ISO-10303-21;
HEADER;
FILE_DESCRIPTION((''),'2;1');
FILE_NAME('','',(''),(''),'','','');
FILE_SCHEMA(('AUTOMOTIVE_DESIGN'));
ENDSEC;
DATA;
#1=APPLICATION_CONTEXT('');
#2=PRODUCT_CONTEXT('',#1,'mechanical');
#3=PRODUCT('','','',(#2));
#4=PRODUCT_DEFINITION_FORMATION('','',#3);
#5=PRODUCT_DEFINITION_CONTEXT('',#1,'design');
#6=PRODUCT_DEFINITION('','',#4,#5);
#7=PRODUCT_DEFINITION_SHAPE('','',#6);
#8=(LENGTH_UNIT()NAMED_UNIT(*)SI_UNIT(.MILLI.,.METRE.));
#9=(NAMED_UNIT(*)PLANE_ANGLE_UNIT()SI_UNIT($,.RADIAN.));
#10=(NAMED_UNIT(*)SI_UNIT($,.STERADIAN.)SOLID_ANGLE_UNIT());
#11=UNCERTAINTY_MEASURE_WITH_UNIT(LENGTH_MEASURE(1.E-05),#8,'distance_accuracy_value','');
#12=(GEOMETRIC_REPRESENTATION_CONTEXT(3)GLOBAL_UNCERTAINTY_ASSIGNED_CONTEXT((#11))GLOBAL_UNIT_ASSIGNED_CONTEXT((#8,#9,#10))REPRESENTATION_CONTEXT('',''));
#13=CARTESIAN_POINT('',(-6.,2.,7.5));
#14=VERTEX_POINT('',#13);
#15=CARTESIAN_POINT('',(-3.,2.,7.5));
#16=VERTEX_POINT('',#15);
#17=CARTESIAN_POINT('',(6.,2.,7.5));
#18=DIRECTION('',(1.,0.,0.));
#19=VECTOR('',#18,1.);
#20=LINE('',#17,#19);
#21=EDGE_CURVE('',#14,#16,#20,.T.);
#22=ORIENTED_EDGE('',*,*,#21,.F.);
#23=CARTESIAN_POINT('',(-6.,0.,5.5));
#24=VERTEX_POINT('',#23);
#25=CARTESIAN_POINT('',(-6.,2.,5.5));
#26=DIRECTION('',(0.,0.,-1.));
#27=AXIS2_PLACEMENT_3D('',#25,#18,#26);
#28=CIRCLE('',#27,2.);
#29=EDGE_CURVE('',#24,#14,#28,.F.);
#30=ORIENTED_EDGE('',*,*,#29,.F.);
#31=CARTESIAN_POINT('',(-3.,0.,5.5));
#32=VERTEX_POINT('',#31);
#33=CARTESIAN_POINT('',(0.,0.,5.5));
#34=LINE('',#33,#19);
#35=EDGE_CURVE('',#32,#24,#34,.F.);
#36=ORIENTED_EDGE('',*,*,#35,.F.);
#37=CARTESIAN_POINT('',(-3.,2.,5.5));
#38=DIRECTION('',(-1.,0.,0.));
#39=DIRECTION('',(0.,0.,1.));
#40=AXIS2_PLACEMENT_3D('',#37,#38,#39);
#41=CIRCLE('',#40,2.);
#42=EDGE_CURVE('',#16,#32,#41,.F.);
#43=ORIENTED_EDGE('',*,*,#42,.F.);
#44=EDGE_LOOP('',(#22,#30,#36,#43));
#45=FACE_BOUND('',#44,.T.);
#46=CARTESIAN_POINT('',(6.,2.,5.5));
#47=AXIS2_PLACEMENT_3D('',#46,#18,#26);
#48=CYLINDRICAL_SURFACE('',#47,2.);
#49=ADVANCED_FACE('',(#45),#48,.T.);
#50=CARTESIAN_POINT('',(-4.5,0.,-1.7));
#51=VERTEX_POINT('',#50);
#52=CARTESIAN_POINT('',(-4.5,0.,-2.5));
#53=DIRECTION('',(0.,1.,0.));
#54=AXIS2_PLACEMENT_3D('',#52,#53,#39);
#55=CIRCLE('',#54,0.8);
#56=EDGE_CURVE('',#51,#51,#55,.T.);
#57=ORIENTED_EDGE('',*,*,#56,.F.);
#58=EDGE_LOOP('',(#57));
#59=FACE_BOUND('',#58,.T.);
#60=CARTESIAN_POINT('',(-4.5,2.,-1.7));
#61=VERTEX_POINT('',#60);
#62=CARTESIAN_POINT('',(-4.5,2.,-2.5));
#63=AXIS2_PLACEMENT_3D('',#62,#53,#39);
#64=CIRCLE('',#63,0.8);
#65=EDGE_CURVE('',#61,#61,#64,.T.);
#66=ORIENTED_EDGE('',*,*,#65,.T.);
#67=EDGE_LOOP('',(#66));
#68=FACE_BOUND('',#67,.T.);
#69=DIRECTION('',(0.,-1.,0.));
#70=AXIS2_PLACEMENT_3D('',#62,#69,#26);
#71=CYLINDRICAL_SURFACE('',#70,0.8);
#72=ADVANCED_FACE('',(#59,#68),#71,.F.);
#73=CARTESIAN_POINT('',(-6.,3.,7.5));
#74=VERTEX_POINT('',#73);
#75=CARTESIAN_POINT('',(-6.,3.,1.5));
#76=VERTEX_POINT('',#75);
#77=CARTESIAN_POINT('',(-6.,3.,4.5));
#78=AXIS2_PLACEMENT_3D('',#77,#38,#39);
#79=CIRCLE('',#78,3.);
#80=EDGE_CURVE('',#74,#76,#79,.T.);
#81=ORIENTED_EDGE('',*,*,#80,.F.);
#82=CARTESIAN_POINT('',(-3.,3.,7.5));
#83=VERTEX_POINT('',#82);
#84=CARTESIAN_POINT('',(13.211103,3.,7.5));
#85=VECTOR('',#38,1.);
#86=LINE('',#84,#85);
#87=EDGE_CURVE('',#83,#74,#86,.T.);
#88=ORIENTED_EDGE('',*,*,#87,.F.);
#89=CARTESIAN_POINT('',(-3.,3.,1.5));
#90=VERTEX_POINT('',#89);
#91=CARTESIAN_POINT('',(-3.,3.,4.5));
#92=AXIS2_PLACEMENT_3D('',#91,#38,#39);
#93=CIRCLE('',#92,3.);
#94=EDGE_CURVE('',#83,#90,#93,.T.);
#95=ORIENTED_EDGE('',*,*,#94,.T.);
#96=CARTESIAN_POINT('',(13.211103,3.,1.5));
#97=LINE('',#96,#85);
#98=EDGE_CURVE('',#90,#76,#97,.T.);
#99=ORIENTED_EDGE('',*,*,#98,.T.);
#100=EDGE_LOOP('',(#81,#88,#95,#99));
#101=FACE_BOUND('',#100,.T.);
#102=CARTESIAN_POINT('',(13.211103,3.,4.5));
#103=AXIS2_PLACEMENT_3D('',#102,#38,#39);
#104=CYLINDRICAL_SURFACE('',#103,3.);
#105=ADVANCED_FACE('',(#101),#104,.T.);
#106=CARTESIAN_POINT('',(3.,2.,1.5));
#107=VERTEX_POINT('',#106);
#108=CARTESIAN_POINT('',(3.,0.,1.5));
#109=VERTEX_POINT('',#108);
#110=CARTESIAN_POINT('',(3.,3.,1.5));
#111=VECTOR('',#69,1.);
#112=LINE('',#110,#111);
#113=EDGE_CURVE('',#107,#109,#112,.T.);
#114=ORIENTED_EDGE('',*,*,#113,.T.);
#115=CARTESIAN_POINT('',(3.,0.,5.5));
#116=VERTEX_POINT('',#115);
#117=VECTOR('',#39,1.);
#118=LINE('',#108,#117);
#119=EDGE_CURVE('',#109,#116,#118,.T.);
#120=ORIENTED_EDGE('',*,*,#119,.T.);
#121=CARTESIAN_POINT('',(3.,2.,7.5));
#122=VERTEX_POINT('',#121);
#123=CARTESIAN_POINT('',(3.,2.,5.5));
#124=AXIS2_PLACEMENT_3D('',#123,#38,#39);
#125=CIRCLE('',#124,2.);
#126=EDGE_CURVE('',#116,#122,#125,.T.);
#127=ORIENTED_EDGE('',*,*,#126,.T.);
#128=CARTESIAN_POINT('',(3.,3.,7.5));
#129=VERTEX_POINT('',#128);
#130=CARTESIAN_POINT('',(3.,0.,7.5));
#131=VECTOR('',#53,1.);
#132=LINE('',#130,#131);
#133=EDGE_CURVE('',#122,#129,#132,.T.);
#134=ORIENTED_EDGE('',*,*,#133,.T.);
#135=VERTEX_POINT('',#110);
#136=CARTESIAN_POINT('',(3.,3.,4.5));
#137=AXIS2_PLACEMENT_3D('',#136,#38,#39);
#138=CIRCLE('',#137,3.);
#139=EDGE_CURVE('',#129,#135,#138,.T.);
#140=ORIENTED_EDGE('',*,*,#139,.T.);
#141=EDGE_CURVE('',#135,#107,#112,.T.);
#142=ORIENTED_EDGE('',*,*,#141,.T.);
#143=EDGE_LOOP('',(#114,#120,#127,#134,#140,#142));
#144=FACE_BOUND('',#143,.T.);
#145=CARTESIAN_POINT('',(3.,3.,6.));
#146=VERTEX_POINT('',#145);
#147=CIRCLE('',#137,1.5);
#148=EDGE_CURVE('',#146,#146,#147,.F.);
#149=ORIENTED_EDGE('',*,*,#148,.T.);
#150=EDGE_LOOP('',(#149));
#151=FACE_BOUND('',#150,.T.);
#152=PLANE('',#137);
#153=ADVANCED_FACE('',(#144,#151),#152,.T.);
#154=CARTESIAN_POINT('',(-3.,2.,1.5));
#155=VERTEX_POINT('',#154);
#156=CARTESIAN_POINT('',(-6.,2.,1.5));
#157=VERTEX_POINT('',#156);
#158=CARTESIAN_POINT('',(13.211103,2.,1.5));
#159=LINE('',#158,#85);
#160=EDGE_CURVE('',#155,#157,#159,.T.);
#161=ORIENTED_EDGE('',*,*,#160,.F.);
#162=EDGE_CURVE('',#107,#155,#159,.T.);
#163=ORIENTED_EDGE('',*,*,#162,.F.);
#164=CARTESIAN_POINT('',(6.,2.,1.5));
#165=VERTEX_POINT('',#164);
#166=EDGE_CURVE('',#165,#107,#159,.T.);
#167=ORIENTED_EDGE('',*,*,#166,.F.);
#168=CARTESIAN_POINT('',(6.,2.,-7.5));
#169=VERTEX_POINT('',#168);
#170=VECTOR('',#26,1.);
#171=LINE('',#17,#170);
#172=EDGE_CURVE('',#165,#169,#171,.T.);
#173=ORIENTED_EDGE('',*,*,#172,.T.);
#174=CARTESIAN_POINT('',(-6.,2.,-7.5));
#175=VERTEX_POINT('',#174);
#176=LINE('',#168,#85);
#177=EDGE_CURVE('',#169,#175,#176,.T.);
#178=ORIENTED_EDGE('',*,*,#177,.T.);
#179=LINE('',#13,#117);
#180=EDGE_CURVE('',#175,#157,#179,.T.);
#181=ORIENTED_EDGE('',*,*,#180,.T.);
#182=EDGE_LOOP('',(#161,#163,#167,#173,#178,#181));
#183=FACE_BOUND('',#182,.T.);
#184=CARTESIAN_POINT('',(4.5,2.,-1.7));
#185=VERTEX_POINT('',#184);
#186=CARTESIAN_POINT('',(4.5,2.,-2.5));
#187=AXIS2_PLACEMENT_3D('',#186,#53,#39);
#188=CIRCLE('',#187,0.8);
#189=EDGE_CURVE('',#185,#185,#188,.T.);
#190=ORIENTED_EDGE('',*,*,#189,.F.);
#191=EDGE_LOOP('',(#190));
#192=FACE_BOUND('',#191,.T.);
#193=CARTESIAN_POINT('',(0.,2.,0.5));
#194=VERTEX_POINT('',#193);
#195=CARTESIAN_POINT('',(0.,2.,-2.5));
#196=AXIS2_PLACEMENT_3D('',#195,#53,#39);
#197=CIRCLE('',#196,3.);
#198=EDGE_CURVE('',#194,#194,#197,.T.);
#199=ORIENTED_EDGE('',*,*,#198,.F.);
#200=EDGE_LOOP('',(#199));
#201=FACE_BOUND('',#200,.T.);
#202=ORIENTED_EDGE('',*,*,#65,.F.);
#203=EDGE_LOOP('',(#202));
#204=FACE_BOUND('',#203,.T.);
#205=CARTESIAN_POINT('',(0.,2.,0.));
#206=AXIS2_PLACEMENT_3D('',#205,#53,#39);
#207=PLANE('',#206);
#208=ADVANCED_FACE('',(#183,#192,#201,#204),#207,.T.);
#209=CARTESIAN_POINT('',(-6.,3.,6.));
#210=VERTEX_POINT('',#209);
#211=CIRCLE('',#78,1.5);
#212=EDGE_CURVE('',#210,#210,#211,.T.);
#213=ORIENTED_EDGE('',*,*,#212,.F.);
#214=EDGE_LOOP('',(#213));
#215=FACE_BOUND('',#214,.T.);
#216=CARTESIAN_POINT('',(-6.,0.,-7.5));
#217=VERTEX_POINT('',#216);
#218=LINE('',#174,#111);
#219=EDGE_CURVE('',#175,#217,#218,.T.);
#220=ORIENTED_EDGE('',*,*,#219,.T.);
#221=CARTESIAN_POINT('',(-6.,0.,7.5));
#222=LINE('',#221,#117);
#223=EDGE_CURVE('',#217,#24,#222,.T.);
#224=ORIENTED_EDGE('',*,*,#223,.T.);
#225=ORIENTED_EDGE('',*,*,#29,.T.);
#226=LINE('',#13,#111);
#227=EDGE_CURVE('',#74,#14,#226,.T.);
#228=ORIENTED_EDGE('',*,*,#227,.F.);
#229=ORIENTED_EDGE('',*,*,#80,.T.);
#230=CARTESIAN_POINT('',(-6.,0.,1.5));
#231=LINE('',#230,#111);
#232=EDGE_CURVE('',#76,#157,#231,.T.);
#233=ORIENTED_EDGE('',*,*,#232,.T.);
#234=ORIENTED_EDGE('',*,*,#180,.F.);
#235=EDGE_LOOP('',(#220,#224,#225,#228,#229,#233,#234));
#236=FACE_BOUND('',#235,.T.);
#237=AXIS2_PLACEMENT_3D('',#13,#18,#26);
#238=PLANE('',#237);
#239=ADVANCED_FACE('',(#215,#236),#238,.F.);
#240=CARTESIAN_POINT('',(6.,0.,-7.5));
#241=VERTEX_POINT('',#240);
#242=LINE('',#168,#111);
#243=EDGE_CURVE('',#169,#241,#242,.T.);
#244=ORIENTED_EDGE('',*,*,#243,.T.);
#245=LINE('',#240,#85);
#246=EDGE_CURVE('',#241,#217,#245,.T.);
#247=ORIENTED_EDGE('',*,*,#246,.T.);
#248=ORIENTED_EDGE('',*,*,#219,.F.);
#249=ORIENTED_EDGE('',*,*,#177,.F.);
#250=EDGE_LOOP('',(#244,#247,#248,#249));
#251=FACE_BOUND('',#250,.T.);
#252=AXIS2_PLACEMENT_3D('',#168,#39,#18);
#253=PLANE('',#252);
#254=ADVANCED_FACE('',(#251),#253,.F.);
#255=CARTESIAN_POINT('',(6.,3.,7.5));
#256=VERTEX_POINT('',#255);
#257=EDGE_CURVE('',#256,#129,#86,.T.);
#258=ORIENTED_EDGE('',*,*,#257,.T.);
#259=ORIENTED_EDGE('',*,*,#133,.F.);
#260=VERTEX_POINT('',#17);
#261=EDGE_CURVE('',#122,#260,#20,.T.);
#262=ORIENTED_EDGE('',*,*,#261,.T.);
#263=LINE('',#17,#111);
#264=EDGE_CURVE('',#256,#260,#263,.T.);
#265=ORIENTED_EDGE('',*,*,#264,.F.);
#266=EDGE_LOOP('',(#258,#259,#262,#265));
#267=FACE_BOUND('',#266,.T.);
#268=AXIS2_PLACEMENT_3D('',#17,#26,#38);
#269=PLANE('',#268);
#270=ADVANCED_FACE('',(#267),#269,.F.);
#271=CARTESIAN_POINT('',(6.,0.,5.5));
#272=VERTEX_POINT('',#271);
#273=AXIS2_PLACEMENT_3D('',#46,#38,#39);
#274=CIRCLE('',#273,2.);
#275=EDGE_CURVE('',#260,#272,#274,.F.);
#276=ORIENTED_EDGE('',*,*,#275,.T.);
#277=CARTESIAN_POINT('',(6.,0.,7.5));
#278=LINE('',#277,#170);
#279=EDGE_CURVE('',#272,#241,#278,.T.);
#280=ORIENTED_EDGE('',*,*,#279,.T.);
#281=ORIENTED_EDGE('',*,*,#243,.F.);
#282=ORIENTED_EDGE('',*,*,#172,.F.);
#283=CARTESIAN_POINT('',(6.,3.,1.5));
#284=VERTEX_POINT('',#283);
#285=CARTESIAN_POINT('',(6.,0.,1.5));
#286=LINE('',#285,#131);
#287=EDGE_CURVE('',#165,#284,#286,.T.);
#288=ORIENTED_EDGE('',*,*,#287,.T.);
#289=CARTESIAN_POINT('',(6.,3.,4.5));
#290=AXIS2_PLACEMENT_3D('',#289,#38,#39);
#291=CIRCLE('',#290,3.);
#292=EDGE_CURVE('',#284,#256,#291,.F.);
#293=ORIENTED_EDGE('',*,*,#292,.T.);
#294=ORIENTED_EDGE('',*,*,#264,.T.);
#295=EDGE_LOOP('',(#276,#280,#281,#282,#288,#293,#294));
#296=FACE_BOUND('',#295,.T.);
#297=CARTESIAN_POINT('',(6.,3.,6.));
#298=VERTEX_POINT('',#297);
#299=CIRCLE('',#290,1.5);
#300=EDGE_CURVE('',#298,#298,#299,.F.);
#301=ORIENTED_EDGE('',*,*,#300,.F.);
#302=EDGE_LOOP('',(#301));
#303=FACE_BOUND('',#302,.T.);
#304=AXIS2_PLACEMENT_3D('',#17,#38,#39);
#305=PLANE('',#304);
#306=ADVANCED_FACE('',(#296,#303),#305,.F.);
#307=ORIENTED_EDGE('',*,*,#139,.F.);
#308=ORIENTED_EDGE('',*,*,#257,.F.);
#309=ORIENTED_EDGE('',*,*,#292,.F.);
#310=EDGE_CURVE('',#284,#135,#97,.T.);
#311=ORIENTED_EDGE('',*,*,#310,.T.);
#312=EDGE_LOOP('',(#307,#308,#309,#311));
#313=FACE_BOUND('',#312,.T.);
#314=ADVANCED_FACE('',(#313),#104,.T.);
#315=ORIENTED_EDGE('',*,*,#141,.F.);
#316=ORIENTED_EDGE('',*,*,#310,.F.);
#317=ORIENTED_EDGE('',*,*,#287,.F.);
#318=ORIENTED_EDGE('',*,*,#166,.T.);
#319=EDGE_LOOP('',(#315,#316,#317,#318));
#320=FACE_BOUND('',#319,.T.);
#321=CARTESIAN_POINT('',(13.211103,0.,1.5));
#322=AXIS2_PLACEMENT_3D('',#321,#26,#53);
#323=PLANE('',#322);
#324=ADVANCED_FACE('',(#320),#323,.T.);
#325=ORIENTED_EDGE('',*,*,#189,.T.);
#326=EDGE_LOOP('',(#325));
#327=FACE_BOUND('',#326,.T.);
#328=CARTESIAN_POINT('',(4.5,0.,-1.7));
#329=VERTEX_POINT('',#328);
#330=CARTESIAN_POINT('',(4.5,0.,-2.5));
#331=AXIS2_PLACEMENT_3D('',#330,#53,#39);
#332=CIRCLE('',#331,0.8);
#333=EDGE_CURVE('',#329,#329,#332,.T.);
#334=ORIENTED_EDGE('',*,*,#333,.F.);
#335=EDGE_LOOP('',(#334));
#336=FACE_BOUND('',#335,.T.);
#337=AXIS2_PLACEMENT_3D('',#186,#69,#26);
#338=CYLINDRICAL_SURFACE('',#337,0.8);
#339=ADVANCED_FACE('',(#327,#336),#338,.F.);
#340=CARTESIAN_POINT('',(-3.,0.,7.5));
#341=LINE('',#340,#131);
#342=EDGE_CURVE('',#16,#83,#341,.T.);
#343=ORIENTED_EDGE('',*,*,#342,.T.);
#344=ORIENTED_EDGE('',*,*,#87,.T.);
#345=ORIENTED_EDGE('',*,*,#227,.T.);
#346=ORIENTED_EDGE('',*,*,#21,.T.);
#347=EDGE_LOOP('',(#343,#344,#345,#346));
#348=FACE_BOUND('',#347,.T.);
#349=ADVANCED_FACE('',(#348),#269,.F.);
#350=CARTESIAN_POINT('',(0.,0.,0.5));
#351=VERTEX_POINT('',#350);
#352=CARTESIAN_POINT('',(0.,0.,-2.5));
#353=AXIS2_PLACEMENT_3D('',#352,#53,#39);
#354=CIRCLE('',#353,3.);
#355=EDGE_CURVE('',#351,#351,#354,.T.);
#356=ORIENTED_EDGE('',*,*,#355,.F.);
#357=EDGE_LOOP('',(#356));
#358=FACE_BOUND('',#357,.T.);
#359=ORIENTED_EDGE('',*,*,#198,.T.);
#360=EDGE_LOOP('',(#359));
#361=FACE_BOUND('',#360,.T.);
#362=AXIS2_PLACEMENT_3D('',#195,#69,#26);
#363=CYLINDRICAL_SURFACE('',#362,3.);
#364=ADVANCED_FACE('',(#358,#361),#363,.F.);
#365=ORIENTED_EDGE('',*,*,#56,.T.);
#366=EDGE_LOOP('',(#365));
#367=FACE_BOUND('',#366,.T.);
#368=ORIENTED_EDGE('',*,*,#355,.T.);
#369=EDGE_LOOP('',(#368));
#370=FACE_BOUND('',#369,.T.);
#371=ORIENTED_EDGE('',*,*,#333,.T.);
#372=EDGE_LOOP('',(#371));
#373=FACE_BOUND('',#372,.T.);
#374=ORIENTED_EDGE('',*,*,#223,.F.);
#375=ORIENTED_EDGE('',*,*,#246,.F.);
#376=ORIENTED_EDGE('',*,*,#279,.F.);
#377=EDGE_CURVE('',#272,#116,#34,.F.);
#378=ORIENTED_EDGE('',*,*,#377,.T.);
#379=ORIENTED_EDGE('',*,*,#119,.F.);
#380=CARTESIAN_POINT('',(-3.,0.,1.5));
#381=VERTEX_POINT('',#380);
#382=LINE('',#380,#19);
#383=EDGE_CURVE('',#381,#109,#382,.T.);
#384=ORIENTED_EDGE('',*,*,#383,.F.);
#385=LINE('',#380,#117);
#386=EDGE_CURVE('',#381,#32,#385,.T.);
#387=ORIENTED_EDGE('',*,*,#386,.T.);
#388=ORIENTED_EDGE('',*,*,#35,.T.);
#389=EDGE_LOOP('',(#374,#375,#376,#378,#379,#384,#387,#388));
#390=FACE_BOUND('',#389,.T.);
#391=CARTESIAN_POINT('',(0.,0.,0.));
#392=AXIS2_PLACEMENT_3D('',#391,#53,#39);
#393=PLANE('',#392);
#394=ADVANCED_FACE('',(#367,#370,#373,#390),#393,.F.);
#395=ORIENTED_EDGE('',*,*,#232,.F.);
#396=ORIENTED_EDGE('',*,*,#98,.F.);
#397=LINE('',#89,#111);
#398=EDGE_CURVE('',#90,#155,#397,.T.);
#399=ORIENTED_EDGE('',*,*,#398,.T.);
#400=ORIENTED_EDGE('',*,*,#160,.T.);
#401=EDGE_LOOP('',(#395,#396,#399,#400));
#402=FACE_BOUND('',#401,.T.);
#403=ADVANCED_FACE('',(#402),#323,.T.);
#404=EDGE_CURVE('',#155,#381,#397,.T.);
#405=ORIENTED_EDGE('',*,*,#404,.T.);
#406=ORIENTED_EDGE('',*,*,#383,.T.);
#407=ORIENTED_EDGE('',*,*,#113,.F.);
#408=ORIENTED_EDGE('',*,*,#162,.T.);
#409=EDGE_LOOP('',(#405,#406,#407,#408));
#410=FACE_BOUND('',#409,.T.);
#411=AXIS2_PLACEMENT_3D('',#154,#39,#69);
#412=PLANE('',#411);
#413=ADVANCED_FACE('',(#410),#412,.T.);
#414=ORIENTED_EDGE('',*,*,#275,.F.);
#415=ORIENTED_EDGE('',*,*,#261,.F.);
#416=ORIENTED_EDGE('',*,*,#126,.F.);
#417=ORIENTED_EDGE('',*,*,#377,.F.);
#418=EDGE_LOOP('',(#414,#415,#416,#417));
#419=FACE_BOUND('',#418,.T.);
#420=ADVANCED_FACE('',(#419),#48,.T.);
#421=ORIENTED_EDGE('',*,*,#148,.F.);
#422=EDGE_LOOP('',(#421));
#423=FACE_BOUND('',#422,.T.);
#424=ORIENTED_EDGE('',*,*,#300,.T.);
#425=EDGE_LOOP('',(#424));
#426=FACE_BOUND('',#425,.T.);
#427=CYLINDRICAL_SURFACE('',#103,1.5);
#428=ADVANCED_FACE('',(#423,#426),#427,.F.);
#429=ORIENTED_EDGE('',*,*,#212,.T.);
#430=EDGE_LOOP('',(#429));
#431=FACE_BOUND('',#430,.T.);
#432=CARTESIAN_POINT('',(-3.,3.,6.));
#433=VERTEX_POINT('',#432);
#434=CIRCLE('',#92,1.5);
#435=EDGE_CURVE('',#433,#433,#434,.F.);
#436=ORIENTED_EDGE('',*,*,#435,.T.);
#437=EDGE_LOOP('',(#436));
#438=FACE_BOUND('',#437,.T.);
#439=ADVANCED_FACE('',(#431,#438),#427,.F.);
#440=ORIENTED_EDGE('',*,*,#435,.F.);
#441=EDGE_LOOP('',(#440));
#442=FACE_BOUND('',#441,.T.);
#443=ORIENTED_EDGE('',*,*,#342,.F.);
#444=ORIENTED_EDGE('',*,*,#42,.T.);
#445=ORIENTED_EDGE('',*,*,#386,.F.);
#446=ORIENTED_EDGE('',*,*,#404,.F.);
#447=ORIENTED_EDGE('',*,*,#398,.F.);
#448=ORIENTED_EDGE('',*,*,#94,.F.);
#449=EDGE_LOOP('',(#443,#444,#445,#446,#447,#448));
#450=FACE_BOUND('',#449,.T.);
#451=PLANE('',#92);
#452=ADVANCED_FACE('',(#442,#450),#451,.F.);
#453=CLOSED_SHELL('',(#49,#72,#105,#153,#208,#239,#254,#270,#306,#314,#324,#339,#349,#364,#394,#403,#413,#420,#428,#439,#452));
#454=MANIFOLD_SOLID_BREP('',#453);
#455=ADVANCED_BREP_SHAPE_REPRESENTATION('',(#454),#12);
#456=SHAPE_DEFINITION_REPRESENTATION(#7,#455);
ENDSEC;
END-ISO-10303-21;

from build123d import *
from build123d.topology import SkipClean

# Parameters (mm, degrees)
SKETCH_1_W               = 12
SKETCH_1_H               = 15
SKETCH_1_R               = 0.8
SKETCH_1_R_2             = 3
EXTRUDE_1_DEPTH          = 2
EXTRUDE_3_DEPTH          = 12
CUT_EXTRUDE_1_REACH      = 17.37
SKETCH_2_3_R             = 1.5
CUT_EXTRUDE_2_DEPTH      = 3
CUT_EXTRUDE_2_DEPTH_BACK = 3
FILLET_1_R               = 2


with BuildPart() as part:
    # 草图1 → 凸台-拉伸1 (new body)
    with BuildSketch(Plane(origin=(0, 0, 0), x_dir=(1, 0, 0), z_dir=(0, 1, 0))):
        Rectangle(SKETCH_1_W, SKETCH_1_H)
        with Locations(Location((-4.5, 2.5, 0), (0, 0, 270))):
            Circle(SKETCH_1_R, mode=Mode.SUBTRACT)
        with Locations(Location((4.5, 2.5, 0), (0, 0, 270))):
            Circle(SKETCH_1_R, mode=Mode.SUBTRACT)
        with Locations(Location((0, 2.5, 0), (0, 0, 270))):
            Circle(SKETCH_1_R_2, mode=Mode.SUBTRACT)
    extrude(amount=EXTRUDE_1_DEPTH)

    # 草图2 → 凸台-拉伸3 (add)
    with BuildSketch(Plane.ZY.offset(6)):
        with BuildLine():
            ThreePointArc((7.5, 3), (4.5, 6), (1.5, 3))
            Line((1.5, 3), (1.5, 2))
            Line((1.5, 2), (3.381966011, 2))
            ThreePointArc((3.381966011, 2), (3.964766865, 4.401258538), (6, 3))
            ThreePointArc((6, 3), (5.901258538, 2.464766865), (5.618033989, 2))
            Line((5.618033989, 2), (7.5, 2))
            Line((7.5, 2), (7.5, 3))
        make_face()
    extrude(amount=-EXTRUDE_3_DEPTH)

    # 草图2<3> → 切除-拉伸1 (cut, up to next)
    with BuildSketch(Plane.ZY.offset(6), mode=Mode.PRIVATE) as cut_extrude_1_sk1:
        with Locations((4.5, 3)):
            Circle(SKETCH_2_3_R)
    cut_extrude_1_tool1 = extrude(cut_extrude_1_sk1.sketch, amount=-CUT_EXTRUDE_1_REACH, mode=Mode.PRIVATE) & part.part
    add(cut_extrude_1_tool1.solids().sort_by_distance((-6, 3, 4.5))[0], mode=Mode.SUBTRACT)

    # 草图5 → 切除-拉伸2 (cut, two sides: drawn at the far end of the back side and taken through both)
    with SkipClean():  # the faces are left unmerged after this step: merging them gives an invalid solid
        with BuildSketch(Plane.ZY.offset(-CUT_EXTRUDE_2_DEPTH_BACK)):
            with BuildLine():
                Line((1.5, 2), (1.5, 0))
                Line((1.5, 0), (7.5, 0))
                Line((7.5, 0), (7.5, 3))
                ThreePointArc((7.5, 3), (4.5, 6), (1.5, 3))
                Line((1.5, 3), (1.5, 2))
            make_face()
        extrude(amount=CUT_EXTRUDE_2_DEPTH + CUT_EXTRUDE_2_DEPTH_BACK, mode=Mode.SUBTRACT)

    # 圆角1
    fillet_1_edges = [part.edges().sort_by_distance(p)[0] for p in [
        (-4.5, 0, 7.5),
        (4.5, 0, 7.5),
    ]]
    fillet(fillet_1_edges, radius=FILLET_1_R)


solid = part.part
